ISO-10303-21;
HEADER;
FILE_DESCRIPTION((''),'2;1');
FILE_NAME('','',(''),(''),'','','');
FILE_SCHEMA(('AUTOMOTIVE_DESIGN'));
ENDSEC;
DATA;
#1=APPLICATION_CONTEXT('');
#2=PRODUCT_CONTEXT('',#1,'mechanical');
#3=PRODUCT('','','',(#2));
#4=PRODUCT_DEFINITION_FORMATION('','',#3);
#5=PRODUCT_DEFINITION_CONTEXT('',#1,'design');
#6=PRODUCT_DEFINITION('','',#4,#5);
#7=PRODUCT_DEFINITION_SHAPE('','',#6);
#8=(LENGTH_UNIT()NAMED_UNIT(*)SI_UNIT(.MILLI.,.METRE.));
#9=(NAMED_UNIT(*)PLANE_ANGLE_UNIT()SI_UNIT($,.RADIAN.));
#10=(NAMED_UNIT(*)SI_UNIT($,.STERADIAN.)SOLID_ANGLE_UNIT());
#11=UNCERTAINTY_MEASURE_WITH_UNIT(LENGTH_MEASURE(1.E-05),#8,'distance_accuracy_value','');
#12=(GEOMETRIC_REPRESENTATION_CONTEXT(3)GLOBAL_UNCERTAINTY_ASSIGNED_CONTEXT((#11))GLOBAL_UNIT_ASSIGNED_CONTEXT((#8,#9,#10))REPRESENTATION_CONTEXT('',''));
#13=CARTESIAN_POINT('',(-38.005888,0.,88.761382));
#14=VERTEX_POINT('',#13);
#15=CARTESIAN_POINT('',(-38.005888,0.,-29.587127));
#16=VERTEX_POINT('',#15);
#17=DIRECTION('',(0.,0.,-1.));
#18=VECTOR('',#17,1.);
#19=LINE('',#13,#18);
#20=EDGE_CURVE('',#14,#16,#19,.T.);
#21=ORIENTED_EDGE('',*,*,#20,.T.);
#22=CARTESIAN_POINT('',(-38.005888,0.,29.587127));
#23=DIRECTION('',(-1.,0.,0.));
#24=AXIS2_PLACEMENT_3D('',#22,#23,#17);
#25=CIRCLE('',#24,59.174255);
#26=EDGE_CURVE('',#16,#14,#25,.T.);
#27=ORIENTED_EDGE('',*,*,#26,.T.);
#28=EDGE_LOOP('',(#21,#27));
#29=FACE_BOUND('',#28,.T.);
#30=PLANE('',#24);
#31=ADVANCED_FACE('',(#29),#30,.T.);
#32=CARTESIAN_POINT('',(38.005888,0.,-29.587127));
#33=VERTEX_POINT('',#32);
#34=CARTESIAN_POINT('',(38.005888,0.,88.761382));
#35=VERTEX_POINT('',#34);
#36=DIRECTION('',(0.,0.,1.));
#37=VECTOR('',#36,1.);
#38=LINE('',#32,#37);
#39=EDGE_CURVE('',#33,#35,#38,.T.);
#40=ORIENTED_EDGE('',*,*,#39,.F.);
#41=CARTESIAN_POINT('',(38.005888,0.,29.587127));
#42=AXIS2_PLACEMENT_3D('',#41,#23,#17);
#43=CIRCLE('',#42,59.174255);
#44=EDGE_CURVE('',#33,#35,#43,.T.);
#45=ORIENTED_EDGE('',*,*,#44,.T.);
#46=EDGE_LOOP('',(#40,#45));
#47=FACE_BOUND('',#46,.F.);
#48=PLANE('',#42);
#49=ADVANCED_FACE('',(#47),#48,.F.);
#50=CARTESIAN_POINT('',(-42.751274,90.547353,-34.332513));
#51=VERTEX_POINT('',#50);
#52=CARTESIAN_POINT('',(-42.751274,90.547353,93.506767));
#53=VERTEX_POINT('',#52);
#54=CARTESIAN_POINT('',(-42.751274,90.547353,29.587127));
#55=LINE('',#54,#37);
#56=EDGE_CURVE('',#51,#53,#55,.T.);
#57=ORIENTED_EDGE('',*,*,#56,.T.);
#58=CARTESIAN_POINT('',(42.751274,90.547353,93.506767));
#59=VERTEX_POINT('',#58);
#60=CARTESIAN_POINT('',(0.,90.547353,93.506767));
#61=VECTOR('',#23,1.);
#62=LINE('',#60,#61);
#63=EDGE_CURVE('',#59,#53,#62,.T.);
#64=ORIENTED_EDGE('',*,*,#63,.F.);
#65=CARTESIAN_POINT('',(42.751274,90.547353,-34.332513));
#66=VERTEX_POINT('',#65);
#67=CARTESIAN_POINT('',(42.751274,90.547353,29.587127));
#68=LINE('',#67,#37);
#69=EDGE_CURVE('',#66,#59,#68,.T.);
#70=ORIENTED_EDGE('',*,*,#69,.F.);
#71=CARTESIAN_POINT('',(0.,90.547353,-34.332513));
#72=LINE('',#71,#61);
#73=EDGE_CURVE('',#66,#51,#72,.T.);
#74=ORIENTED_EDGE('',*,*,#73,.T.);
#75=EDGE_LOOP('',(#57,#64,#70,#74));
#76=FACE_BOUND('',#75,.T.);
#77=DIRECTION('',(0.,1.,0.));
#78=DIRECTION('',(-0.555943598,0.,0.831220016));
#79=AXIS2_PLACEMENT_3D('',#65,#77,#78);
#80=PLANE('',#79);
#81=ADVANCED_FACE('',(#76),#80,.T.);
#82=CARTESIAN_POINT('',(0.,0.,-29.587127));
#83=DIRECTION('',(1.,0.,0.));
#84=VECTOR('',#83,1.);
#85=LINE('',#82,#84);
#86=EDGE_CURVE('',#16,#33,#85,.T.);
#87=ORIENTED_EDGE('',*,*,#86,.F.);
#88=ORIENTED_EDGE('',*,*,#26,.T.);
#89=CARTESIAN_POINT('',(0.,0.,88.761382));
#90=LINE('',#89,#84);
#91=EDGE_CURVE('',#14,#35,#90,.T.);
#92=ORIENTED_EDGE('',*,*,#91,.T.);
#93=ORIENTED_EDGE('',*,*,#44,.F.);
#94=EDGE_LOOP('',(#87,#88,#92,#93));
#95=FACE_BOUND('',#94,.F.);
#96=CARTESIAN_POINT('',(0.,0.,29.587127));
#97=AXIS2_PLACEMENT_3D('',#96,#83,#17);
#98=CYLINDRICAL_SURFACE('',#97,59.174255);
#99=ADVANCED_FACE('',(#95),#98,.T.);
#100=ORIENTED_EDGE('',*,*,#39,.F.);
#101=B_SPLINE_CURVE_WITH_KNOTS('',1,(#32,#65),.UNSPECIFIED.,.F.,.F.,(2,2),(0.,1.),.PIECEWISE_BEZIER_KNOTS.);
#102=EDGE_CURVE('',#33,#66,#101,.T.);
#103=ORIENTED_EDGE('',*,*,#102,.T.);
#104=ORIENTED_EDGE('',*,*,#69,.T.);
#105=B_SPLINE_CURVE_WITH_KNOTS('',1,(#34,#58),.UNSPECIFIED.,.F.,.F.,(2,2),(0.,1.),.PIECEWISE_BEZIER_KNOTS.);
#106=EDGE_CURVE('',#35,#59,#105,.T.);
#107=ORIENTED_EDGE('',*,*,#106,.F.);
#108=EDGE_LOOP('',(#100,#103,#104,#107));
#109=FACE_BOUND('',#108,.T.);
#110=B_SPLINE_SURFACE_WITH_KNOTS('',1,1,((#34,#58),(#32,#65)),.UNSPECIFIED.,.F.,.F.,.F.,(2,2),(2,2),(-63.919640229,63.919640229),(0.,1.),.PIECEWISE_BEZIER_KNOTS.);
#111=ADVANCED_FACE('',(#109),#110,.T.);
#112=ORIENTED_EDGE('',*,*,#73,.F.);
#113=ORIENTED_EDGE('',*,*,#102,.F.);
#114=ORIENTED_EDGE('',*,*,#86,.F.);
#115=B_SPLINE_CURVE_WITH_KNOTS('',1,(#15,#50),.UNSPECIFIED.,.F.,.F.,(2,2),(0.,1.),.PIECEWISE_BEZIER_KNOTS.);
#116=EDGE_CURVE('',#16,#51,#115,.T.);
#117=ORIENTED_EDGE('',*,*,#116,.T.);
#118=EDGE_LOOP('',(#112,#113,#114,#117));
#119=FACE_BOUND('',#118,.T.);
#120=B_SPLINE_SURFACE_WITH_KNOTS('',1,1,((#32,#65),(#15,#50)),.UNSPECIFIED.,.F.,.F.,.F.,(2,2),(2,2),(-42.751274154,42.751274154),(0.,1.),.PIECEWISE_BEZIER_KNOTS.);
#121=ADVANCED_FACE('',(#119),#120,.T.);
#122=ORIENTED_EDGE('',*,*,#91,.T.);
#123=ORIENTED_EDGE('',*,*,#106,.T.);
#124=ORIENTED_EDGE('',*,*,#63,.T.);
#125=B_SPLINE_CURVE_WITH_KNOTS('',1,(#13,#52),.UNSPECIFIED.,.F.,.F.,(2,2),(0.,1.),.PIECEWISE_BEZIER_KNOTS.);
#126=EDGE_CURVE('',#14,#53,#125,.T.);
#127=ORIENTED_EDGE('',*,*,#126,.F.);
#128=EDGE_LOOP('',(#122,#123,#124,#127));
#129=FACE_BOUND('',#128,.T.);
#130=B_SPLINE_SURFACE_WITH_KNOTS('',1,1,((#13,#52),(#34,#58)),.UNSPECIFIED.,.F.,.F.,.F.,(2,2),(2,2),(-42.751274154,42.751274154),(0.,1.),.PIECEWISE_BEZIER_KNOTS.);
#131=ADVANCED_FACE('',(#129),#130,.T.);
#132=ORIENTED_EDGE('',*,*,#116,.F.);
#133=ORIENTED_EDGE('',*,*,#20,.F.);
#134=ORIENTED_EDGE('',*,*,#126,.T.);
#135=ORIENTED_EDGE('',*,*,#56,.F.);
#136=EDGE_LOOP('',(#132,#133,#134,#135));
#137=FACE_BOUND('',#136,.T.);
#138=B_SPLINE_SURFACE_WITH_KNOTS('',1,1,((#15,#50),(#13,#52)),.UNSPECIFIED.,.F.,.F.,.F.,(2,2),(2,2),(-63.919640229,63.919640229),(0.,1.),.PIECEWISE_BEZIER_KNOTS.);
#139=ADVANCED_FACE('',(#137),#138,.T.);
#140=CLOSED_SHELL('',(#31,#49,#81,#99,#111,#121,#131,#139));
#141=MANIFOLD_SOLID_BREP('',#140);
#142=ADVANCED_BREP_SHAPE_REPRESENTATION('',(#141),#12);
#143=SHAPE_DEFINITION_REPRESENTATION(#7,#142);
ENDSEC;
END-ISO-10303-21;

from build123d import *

# Parameters (mm, degrees)
F0_W      = 76.0117769241
F0_H      = 59.1742545366
F1_ANGLE  = 180
F1_FACE_W = 76.0117769241
F1_FACE_H = 118.3485090733
F2_DEPTH  = 90.5473530293
F2_TAPER  = -3


with BuildPart() as f1:
    # F0 (on Front) → F1 (revolve)
    with BuildSketch(Plane.XZ):
        Rectangle(F0_W, F0_H)
    revolve(axis=Axis((0, 0, 29.5871272683), (-1, 0, 0)), revolution_arc=F1_ANGLE)

    # F1_face (on face) → F2 (join)
    with BuildSketch(Plane(origin=(0, 0, 29.5871272683), x_dir=(-1, 0, 0), z_dir=(0, 1, 0))):
        Rectangle(F1_FACE_W, F1_FACE_H)
    extrude(amount=F2_DEPTH, taper=F2_TAPER)


solid = f1.part
